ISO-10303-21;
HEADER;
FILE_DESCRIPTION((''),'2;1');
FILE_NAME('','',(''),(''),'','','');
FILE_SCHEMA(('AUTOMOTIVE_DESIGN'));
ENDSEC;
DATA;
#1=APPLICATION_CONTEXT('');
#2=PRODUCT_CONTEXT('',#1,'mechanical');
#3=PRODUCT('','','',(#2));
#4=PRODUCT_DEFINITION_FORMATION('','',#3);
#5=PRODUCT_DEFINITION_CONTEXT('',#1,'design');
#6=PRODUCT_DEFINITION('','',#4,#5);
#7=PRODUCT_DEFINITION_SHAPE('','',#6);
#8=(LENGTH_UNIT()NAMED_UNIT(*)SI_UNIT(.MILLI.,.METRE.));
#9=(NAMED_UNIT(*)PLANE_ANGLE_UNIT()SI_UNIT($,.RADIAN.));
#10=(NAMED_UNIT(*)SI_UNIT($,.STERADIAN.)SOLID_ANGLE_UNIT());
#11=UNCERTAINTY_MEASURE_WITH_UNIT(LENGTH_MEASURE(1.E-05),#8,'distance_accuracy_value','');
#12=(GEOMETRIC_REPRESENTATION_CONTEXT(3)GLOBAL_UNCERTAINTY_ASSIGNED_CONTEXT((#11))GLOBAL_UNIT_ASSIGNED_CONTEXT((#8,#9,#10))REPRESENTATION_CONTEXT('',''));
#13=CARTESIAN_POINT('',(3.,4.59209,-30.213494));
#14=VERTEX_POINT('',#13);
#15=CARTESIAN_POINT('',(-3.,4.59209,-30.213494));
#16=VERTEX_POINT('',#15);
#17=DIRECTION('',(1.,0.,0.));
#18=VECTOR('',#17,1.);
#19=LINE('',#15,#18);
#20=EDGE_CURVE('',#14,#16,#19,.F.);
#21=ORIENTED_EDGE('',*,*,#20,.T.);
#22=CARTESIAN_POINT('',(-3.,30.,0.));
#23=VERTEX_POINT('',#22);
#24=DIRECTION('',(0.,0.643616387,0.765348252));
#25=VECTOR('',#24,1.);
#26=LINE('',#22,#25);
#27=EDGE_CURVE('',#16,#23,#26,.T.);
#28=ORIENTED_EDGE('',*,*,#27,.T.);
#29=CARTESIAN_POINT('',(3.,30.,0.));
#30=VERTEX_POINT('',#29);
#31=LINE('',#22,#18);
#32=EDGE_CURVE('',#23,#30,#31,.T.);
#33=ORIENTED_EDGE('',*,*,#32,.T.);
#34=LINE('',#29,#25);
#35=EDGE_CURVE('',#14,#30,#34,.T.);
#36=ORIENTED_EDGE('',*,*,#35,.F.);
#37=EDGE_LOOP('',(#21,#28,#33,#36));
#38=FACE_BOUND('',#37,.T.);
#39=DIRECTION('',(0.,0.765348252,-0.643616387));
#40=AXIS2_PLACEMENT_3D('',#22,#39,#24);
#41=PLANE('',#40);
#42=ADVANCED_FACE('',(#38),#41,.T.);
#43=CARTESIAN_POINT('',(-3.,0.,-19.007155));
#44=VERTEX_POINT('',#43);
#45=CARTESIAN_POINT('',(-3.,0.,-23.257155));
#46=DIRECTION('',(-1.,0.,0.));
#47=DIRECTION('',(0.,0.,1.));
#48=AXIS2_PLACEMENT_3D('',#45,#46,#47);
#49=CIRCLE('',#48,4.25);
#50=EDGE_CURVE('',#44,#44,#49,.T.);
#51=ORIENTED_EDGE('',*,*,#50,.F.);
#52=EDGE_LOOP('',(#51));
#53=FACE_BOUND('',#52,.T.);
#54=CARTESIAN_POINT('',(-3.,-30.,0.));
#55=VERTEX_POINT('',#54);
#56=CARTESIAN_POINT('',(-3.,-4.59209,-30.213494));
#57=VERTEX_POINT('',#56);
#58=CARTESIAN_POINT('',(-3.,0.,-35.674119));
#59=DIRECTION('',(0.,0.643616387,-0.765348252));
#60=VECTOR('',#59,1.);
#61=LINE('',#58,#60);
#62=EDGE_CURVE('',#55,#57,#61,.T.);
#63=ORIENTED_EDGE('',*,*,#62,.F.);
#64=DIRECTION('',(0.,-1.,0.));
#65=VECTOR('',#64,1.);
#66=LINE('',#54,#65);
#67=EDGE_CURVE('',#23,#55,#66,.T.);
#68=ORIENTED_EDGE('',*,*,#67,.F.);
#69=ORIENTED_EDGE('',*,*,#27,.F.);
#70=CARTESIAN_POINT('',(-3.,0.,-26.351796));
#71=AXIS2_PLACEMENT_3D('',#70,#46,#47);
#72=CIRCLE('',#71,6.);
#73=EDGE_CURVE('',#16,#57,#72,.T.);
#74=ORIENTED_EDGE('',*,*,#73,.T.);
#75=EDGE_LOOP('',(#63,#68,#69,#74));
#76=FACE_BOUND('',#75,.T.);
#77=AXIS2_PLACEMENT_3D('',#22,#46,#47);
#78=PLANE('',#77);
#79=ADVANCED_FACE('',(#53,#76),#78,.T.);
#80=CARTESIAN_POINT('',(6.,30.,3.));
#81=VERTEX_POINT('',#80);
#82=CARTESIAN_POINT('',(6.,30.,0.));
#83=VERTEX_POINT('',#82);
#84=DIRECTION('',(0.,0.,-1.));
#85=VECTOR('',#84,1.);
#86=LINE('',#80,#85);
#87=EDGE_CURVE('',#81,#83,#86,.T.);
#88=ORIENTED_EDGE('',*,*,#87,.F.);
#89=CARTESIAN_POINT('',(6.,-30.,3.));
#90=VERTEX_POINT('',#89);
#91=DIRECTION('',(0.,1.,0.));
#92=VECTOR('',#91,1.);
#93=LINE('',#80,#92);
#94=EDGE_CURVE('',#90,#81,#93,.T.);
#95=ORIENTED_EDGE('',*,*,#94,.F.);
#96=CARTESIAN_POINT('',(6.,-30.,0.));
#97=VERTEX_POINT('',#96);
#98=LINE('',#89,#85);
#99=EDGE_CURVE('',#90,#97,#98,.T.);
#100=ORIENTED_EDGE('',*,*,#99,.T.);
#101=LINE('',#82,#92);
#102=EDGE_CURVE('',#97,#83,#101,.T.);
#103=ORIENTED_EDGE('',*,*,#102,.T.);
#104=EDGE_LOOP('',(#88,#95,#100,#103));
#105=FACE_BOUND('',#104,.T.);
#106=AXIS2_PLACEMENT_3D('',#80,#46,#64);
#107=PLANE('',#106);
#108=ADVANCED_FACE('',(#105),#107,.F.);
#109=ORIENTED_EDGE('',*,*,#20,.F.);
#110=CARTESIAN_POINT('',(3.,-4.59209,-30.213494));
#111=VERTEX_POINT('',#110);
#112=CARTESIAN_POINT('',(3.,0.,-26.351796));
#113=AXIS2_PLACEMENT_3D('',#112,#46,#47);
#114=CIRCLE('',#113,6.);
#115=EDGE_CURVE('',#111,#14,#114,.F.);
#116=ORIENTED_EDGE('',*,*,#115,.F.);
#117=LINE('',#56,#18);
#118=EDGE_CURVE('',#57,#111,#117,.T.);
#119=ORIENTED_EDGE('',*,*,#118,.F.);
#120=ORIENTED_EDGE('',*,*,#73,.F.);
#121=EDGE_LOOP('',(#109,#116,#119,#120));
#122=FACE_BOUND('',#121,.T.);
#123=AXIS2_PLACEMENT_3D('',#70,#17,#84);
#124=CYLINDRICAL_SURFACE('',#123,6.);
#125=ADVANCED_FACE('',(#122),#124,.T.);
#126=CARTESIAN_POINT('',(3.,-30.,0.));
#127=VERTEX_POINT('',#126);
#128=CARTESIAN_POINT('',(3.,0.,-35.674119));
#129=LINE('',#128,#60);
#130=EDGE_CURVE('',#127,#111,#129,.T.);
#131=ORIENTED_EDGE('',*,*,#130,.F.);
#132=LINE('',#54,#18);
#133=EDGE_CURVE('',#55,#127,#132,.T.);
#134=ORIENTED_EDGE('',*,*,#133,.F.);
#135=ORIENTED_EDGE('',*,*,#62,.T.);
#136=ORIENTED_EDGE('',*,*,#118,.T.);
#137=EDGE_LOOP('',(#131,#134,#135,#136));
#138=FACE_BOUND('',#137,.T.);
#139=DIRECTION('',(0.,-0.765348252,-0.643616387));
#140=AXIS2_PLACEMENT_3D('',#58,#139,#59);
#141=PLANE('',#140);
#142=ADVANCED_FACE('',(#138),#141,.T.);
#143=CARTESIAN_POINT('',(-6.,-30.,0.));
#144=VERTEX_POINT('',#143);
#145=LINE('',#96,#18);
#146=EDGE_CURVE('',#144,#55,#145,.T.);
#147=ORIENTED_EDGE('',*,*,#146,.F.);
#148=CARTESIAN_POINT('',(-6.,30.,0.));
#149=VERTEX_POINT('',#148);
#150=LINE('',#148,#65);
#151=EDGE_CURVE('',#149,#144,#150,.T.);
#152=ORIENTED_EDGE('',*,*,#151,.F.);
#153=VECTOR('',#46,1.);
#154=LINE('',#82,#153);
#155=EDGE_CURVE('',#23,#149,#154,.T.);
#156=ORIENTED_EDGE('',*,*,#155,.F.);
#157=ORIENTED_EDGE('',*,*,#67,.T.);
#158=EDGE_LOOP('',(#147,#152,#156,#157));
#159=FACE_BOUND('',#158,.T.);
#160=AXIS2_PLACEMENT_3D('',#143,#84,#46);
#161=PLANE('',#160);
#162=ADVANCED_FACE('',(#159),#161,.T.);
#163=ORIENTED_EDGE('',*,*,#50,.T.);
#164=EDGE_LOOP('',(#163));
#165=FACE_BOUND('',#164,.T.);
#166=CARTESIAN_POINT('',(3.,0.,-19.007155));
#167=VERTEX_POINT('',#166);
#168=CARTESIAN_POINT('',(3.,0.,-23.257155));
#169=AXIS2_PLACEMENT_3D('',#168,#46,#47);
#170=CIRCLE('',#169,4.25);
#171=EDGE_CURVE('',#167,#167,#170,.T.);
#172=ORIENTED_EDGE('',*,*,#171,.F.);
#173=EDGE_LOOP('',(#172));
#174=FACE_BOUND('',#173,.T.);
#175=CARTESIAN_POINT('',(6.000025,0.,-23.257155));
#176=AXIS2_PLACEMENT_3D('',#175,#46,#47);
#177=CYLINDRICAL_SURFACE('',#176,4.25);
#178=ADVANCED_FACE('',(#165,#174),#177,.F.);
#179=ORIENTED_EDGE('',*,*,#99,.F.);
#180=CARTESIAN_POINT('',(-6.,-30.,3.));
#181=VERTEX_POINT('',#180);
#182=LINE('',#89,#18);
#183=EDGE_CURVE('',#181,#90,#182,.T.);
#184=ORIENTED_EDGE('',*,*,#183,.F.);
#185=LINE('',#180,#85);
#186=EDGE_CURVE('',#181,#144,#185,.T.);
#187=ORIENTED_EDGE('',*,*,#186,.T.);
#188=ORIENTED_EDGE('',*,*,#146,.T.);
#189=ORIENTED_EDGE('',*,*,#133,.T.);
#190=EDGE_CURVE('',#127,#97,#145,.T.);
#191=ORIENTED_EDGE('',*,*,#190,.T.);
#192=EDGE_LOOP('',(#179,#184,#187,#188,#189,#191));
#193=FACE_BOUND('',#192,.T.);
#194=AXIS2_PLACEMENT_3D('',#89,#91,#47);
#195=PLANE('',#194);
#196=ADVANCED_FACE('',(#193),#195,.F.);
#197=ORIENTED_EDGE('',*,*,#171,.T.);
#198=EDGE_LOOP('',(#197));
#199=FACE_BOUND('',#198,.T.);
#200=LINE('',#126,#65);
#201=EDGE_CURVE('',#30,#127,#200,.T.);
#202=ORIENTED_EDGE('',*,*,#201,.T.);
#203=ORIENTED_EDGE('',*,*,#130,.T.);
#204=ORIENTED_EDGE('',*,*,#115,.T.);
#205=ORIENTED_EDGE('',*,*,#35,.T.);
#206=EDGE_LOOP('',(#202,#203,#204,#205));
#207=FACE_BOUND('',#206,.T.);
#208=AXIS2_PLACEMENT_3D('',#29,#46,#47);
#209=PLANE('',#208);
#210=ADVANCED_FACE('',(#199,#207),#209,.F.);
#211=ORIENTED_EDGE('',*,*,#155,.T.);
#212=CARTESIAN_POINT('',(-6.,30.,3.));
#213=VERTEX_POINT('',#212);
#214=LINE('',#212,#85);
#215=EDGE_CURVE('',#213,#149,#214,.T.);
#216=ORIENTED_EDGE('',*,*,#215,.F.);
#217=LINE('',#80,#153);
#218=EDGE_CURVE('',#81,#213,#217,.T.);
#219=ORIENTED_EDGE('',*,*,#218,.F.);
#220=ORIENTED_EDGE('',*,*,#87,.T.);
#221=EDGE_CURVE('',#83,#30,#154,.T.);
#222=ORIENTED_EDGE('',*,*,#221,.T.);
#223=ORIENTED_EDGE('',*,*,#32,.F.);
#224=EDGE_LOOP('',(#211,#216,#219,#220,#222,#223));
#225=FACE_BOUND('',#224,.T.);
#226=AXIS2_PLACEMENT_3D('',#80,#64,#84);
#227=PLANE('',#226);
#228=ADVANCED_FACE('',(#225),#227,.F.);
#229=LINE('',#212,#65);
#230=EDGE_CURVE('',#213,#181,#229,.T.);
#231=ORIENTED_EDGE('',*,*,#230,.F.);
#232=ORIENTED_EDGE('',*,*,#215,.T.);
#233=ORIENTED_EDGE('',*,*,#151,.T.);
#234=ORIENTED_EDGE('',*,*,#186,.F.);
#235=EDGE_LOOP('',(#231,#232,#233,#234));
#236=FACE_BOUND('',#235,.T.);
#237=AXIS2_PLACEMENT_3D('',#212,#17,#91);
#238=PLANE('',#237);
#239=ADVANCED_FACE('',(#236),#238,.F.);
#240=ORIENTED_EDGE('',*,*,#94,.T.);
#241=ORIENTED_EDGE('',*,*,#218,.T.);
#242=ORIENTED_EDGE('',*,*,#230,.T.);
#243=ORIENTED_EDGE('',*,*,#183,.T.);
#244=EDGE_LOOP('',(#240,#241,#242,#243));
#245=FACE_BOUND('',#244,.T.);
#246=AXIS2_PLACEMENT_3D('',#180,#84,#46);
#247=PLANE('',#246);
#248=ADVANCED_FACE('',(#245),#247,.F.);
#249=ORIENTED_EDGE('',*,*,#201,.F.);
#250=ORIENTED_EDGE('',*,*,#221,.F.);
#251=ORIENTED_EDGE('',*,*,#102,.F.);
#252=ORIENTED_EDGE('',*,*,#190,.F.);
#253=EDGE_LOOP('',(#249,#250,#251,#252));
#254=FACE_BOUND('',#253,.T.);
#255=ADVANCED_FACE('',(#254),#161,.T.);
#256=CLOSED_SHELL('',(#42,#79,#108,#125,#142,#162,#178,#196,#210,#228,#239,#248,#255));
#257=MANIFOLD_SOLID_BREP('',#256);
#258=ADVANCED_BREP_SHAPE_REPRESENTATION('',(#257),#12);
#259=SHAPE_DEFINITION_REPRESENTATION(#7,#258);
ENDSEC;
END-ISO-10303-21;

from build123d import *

# Parameters (mm, degrees)
SKETCH_1_W           = 12
SKETCH_1_H           = 60
EXTRUDE_1_DEPTH      = 3
EXTRUDE_2_DEPTH      = 3
EXTRUDE_2_DEPTH_BACK = 3
FILLET_1_R           = 6
SKETCH_4_R           = 4.25
CUT_EXTRUDE_1_DEPTH  = 46.029309177


with BuildPart() as part:
    # 草图1 → 凸台-拉伸1 (new body)
    with BuildSketch(Plane.XY):
        Rectangle(SKETCH_1_W, SKETCH_1_H)
    extrude(amount=EXTRUDE_1_DEPTH)

    # 草图3 → 凸台-拉伸2 (add, two sides: drawn at the far end of the back side and taken through both)
    with BuildSketch(Plane(origin=(0, 0, 0), x_dir=(0, 0, -1), z_dir=(1, 0, 0)).offset(-EXTRUDE_2_DEPTH_BACK)):
        Polygon((0, 30), (35.674118933, 0), (0, -30), align=None)
    extrude(amount=EXTRUDE_2_DEPTH + EXTRUDE_2_DEPTH_BACK)

    # 圆角1
    fillet_1_edges = [part.edges().sort_by_distance(p)[0] for p in [
        (0, 0, -35.674118933),
    ]]
    fillet(fillet_1_edges, radius=FILLET_1_R)

    # 草图4 → 切除-拉伸1 (cut, through all)
    with BuildSketch(Plane.ZY.offset(3)):
        with Locations((-23.257154685, 0)):
            Circle(SKETCH_4_R)
    extrude(amount=-CUT_EXTRUDE_1_DEPTH, mode=Mode.SUBTRACT)


solid = part.part
